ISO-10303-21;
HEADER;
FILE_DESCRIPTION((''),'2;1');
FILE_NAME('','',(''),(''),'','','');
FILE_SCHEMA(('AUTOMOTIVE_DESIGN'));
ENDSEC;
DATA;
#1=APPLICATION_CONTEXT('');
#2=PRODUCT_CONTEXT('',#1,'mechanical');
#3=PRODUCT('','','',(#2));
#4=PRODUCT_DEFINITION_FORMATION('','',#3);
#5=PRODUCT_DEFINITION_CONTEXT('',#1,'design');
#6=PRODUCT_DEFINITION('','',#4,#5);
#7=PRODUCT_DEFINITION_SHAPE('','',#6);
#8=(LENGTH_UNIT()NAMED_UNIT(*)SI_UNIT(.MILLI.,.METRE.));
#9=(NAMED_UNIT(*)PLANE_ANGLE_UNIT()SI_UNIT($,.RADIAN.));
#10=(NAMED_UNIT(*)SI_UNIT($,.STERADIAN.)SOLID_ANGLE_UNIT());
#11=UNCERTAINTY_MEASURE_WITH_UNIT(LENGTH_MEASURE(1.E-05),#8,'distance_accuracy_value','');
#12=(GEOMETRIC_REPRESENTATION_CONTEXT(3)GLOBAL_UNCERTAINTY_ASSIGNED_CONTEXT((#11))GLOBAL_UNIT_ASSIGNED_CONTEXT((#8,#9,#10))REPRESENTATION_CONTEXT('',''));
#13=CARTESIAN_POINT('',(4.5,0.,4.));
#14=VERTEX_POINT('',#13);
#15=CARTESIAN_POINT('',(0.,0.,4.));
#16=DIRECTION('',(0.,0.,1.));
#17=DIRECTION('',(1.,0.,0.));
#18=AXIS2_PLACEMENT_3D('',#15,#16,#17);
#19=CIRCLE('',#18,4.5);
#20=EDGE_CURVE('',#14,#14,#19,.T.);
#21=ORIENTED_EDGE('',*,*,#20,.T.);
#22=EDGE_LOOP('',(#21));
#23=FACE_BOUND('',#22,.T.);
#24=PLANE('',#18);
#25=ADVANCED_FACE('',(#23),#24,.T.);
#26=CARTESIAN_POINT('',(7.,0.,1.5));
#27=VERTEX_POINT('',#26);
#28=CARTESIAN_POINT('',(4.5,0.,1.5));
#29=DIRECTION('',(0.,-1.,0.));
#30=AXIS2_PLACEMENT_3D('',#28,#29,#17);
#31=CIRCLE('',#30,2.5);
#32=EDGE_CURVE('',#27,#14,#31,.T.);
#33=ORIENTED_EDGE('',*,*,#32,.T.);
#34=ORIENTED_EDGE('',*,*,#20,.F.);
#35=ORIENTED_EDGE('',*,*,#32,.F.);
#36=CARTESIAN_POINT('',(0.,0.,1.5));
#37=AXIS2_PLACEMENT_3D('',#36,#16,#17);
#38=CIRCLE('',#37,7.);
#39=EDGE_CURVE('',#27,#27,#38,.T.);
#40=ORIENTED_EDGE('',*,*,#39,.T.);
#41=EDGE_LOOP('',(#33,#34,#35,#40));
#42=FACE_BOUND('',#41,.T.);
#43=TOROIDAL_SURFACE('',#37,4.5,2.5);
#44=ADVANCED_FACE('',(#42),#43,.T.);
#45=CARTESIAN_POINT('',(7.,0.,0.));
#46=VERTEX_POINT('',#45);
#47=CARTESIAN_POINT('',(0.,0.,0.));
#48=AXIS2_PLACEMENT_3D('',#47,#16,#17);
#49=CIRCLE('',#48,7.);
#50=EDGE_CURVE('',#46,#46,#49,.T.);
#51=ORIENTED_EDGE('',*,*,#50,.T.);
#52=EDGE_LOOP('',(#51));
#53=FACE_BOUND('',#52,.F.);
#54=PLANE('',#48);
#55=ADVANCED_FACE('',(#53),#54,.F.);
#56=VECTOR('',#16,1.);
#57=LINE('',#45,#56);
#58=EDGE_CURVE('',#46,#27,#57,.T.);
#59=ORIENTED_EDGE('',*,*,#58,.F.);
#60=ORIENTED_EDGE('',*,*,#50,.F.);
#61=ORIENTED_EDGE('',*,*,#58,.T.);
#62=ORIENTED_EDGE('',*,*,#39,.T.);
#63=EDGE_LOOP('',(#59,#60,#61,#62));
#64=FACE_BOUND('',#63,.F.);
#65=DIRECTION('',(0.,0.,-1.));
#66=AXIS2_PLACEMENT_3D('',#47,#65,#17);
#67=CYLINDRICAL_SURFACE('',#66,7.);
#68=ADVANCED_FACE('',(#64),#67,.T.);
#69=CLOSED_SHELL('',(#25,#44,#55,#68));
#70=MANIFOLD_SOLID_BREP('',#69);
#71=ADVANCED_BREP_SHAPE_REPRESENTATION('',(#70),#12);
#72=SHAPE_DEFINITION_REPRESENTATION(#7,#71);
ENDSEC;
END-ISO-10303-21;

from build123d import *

# Parameters (mm, degrees)
SKETCH_R  = 7
PAD_DEPTH = 4
FILLET_R  = 2.5


with BuildPart() as part:
    # Sketch → Pad (new body)
    with BuildSketch(Plane.XY):
        Circle(SKETCH_R)
    extrude(amount=PAD_DEPTH)

    # Fillet
    fillet_edges = [part.edges().sort_by_distance(p)[0] for p in [
        (-7, 0, 4),
    ]]
    fillet(fillet_edges, radius=FILLET_R)


solid = part.part
